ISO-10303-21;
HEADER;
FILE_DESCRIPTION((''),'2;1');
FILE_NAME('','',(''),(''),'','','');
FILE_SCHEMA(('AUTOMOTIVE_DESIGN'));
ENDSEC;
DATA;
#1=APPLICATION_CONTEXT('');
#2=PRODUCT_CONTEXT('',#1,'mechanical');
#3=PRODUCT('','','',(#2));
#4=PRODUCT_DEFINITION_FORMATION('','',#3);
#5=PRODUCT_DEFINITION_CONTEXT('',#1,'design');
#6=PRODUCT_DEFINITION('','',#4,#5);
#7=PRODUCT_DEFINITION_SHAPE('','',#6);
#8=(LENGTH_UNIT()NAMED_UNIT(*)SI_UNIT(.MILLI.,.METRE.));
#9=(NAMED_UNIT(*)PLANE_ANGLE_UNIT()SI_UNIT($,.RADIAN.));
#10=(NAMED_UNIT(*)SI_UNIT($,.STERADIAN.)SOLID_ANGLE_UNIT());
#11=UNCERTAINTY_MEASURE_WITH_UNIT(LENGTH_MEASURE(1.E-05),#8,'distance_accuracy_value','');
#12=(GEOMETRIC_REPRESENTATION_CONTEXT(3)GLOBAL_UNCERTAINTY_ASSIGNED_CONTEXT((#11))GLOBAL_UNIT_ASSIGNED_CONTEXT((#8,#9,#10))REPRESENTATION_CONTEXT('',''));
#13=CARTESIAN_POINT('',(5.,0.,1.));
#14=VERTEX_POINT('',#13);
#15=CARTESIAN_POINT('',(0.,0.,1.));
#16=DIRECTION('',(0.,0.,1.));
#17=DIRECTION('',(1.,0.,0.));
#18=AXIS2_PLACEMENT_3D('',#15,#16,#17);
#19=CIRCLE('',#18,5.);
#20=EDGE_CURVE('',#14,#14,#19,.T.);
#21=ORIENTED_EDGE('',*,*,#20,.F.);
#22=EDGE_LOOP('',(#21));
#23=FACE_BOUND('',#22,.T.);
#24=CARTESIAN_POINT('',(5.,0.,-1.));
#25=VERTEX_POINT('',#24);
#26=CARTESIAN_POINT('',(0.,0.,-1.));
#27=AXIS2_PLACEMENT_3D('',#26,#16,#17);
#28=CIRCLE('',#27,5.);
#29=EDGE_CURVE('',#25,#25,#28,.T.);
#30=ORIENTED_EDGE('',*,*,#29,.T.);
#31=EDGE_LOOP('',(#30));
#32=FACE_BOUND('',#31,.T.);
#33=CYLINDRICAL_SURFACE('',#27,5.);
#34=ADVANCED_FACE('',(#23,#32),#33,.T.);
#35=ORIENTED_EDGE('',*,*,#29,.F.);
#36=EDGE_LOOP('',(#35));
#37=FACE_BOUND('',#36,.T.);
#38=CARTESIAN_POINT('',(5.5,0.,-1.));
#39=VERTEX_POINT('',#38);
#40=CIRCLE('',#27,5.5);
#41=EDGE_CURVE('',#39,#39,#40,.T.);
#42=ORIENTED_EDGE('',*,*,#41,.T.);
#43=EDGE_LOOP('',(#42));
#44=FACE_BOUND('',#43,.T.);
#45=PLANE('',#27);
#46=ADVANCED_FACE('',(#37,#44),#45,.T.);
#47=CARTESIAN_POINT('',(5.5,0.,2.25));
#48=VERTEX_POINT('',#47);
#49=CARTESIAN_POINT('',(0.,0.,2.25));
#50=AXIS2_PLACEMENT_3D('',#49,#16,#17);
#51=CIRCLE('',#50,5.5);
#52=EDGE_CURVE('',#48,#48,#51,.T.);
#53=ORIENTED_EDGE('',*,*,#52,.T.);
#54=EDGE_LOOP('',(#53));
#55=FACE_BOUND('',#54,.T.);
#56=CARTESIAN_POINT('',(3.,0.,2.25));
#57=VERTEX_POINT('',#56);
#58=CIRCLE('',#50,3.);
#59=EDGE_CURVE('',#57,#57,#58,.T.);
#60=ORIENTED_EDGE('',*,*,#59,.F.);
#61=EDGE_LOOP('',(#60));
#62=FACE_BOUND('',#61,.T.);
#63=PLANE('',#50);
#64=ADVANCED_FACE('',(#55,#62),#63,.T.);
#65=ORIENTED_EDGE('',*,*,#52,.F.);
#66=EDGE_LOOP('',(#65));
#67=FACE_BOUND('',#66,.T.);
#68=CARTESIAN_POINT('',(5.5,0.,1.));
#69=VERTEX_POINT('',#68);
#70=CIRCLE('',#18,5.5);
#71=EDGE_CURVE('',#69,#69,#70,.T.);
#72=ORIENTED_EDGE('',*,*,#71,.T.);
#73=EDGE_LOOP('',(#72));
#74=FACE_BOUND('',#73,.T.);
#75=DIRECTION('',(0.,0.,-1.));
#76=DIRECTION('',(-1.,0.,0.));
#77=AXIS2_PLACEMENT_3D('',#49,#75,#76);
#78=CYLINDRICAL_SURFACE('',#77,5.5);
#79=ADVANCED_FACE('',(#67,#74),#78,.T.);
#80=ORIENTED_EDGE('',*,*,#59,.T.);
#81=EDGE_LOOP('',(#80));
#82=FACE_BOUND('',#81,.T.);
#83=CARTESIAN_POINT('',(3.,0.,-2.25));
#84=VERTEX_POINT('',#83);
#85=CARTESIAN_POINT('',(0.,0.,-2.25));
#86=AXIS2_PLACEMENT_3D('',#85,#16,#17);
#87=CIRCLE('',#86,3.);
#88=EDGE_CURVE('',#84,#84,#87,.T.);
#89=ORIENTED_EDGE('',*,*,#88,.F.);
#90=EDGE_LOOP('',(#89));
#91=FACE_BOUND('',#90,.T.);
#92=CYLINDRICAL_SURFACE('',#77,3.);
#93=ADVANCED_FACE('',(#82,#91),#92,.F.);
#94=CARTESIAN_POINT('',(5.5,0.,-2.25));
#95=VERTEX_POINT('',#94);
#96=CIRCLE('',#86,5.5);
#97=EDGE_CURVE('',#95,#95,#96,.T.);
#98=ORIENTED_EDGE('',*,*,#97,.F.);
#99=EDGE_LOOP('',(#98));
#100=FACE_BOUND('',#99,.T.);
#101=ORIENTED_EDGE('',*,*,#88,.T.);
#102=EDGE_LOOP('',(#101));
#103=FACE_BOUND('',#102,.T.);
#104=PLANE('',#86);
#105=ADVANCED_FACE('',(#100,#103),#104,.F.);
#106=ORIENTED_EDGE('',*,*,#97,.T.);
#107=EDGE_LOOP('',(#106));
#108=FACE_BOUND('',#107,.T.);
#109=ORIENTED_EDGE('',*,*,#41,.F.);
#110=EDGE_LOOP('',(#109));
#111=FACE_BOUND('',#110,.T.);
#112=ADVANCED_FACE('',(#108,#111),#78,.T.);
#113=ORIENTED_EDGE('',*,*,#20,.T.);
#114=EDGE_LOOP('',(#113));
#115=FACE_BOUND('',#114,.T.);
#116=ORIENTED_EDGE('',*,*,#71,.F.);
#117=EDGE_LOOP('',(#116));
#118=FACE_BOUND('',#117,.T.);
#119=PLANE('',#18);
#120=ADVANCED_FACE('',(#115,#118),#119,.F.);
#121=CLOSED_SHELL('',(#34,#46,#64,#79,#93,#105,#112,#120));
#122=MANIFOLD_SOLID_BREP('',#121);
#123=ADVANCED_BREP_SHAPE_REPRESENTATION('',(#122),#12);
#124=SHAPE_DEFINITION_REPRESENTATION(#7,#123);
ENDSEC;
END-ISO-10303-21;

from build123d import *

# Parameters (mm, degrees)
SKETCH_2_R          = 5.5
SKETCH_2_R_2        = 3
EXTRUDE_1_DEPTH     = 2.25
SKETCH_3_OUTSIDE_W  = 16.238
SKETCH_3_OUTSIDE_H  = 16.238
SKETCH_3_OUTSIDE_R  = 5
CUT_EXTRUDE_1_DEPTH = 1


with BuildPart() as part:
    # 草图2 → 凸台-拉伸1 (new, symmetric)
    with BuildSketch(Plane.XY):
        Circle(SKETCH_2_R)
        Circle(SKETCH_2_R_2, mode=Mode.SUBTRACT)
    extrude(amount=EXTRUDE_1_DEPTH, both=True)

    # 草图3 outside → 切除-拉伸1 (cut, symmetric)
    with BuildSketch(Plane.XY):
        Rectangle(SKETCH_3_OUTSIDE_W, SKETCH_3_OUTSIDE_H)
        Circle(SKETCH_3_OUTSIDE_R, mode=Mode.SUBTRACT)
    extrude(amount=CUT_EXTRUDE_1_DEPTH, both=True, mode=Mode.SUBTRACT)


solid = part.part
